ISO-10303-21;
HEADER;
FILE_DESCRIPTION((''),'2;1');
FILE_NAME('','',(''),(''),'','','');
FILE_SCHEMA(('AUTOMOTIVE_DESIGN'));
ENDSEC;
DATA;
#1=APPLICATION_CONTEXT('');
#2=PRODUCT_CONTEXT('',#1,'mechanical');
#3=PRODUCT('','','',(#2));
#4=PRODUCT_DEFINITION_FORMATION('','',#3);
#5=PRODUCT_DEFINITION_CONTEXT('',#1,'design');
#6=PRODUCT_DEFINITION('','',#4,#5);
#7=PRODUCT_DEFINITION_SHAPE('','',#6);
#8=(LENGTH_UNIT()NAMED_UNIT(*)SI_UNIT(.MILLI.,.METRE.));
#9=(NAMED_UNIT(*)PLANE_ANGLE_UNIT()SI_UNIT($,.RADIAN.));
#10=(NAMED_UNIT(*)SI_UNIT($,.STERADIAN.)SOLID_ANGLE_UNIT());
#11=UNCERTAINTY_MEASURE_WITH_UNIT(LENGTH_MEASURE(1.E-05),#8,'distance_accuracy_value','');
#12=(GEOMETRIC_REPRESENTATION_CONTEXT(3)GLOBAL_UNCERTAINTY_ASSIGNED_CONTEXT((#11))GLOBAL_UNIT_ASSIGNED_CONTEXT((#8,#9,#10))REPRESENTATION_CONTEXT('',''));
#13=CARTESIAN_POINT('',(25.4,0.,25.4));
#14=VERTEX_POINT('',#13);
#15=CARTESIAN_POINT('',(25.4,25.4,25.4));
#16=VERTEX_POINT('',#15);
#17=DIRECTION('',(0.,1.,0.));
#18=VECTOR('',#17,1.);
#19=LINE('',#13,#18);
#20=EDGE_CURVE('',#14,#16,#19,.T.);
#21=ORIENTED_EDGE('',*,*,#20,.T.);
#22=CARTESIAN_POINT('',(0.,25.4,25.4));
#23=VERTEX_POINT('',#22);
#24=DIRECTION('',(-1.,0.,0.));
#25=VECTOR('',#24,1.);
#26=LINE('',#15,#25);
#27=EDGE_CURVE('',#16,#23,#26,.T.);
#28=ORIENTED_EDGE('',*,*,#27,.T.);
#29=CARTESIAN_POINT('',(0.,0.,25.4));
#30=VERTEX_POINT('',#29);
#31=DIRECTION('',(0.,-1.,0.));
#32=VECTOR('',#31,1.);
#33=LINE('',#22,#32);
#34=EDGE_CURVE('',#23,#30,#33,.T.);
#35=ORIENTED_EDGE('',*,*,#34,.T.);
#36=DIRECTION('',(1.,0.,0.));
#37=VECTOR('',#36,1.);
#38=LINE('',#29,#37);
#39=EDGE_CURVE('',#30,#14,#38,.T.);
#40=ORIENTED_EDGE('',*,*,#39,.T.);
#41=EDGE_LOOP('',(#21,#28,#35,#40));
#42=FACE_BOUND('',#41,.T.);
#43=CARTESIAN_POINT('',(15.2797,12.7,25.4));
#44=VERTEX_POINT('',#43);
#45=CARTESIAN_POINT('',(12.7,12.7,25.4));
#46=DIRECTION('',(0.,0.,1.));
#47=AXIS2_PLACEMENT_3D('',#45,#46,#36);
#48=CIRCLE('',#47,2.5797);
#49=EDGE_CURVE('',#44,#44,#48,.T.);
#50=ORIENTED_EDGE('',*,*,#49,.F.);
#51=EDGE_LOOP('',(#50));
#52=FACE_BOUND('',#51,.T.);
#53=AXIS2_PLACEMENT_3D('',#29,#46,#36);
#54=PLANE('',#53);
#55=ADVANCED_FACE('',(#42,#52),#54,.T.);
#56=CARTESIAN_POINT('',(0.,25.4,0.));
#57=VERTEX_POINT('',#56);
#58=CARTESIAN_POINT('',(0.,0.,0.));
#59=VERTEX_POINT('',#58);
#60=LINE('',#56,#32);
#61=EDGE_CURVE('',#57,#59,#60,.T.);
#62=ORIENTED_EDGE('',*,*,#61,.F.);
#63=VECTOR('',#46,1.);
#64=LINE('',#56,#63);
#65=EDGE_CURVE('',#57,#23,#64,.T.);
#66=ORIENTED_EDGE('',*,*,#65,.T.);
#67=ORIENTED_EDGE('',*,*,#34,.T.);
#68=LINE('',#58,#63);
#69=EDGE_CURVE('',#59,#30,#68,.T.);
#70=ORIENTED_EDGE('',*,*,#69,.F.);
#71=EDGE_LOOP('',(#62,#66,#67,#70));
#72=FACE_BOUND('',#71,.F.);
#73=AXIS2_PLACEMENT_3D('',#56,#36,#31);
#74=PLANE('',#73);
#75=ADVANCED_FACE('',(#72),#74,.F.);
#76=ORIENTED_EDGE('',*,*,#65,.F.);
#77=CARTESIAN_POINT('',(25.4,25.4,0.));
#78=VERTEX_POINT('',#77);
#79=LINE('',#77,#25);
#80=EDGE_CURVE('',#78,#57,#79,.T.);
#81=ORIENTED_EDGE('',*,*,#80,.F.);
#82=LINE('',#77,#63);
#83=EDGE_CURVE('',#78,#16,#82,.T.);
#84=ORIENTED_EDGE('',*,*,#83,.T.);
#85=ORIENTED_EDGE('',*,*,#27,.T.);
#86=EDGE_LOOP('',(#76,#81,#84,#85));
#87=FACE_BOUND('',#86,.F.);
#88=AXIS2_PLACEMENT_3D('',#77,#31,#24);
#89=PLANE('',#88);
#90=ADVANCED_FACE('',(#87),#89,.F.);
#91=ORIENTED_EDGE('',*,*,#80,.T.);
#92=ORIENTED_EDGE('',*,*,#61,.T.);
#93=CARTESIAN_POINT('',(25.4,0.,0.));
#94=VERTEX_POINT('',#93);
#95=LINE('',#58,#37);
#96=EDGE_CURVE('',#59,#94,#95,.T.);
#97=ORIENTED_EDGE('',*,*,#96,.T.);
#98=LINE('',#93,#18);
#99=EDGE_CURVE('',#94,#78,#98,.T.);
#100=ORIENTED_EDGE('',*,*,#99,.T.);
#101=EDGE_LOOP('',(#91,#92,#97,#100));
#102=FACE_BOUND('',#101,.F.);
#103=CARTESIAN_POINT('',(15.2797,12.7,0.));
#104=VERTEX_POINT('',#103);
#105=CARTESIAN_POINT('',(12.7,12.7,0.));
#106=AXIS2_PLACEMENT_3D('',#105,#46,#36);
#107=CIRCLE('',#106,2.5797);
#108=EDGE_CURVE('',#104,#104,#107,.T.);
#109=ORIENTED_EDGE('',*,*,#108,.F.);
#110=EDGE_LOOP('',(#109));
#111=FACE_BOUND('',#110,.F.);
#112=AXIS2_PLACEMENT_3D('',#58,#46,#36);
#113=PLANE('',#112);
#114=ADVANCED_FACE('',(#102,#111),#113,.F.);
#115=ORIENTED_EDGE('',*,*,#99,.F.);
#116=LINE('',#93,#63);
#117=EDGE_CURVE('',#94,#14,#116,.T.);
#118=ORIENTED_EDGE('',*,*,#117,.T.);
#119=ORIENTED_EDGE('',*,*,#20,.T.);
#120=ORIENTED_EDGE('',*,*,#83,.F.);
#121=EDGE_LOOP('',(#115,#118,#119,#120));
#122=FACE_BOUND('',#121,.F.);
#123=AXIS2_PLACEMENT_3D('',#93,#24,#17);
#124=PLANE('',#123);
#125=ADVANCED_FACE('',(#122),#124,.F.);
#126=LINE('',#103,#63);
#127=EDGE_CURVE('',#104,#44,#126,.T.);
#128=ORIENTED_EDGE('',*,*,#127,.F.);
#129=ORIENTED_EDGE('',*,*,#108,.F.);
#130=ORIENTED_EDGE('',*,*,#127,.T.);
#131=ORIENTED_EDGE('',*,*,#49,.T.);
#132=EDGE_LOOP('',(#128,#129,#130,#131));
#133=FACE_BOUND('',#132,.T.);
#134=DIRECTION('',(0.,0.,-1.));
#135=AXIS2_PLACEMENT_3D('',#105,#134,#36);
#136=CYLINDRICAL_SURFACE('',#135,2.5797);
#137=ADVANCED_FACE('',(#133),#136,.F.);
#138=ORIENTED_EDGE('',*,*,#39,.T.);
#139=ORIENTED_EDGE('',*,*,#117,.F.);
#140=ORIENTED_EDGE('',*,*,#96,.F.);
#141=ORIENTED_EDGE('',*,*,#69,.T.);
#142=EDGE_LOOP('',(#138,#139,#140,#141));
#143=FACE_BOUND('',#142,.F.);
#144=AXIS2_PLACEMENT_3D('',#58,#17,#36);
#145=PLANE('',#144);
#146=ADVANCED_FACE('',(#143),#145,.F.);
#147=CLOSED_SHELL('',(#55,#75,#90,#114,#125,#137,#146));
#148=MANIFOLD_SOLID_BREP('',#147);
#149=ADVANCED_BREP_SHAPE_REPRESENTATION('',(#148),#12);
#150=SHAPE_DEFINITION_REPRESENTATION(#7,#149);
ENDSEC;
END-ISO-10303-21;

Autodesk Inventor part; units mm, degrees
ref_plane "YZ Plane" through (0, 0, 0) normal (1, 0, 0) x (0, 1, 0)
ref_plane "XZ Plane" through (0, 0, 0) normal (0, 1, 0) x (-1, 0, 0)
ref_plane "XY Plane" through (0, 0, 0) normal (0, 0, 1) x (1, 0, 0)
sketch "Sketch1" plane through (0, 0, 0) normal (0, 0, 1) x (1, 0, 0)
  line L0 (0, 0) -> (25.4, 0)
  line L1 (25.4, 0) -> (25.4, 25.4)
  line L2 (25.4, 25.4) -> (0, 25.4)
  line L3 (0, 25.4) -> (0, 0)
  circle A0 centre (12.7, 12.7) radius 2.5797
  dimension "d0" = 25.4
  dimension "d1" = 25.4
  dimension "d2" = 5.1594
extrude "Extrusion1" add sketch "Sketch1" along normal blind 25.4
properties part number "Wooden cube of unyielding stopping power"
